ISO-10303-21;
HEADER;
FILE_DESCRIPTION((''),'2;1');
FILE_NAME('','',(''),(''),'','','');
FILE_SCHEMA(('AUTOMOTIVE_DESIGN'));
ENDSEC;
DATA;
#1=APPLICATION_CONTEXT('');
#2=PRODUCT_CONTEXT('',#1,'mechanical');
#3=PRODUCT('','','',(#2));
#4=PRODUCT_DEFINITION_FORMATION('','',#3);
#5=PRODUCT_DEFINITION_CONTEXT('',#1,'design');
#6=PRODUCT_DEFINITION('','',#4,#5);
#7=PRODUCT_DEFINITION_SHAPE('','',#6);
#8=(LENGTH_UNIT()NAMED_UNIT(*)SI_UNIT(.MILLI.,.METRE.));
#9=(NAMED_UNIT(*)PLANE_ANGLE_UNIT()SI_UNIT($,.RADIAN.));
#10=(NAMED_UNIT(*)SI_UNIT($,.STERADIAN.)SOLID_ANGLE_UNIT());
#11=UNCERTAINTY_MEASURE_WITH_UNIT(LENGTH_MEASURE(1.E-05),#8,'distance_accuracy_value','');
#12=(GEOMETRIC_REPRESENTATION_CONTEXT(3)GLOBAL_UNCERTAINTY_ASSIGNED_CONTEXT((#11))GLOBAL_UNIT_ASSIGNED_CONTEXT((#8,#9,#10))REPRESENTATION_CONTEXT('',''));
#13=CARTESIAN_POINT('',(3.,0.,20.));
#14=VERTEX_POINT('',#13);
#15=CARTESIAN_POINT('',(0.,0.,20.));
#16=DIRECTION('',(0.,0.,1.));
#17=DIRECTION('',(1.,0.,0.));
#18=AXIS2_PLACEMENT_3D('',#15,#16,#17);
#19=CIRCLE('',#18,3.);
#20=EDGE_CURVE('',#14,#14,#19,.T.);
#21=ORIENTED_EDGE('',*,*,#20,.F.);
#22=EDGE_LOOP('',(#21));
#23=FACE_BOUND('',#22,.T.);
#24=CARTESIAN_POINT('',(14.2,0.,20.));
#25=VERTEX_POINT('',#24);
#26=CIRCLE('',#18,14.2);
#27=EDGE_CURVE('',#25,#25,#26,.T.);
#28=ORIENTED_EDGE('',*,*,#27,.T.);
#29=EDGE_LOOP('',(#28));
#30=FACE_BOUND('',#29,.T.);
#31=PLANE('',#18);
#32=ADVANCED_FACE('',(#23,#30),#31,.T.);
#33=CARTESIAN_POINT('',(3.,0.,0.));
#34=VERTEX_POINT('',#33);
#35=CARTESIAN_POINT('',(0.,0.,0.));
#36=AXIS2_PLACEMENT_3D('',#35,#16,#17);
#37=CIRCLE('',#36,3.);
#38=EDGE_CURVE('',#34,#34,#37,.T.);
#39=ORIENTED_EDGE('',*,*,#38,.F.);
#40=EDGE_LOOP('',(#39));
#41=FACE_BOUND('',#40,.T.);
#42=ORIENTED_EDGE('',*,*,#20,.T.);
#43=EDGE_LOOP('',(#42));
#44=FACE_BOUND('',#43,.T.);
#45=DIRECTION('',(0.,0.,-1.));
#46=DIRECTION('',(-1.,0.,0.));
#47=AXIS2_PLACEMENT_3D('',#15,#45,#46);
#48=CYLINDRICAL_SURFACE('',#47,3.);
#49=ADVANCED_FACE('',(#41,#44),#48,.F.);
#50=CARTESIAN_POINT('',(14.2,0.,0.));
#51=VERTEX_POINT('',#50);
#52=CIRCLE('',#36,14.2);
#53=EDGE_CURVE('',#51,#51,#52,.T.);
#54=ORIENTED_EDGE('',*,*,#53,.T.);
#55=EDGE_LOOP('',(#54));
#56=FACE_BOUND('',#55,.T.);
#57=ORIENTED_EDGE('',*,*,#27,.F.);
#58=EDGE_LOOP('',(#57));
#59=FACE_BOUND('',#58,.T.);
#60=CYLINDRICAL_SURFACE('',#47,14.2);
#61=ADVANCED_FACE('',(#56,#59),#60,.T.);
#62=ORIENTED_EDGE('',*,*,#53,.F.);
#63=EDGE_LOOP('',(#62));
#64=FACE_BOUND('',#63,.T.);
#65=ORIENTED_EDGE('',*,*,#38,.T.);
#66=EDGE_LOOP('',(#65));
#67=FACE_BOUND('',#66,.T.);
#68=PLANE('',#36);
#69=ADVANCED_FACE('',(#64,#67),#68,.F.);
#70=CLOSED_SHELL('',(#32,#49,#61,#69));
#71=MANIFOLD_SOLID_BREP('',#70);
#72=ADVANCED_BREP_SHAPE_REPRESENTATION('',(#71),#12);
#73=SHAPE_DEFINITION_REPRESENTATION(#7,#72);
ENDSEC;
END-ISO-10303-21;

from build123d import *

# Parameters (mm, degrees)
SKETCH1_R                                      = 14.2
SKETCH1_R_2                                    = 3
CONNECTION_SPACE_ONLY_NO_THREADS_OR_SEAL_DEPTH = 20


with BuildPart() as part:
    # Sketch1 → Connection_space_only_NO_THREADS_OR_SEALS (new body)
    with BuildSketch(Plane.XY):
        Circle(SKETCH1_R)
        Circle(SKETCH1_R_2, mode=Mode.SUBTRACT)
    extrude(amount=CONNECTION_SPACE_ONLY_NO_THREADS_OR_SEAL_DEPTH)


solid = part.part
